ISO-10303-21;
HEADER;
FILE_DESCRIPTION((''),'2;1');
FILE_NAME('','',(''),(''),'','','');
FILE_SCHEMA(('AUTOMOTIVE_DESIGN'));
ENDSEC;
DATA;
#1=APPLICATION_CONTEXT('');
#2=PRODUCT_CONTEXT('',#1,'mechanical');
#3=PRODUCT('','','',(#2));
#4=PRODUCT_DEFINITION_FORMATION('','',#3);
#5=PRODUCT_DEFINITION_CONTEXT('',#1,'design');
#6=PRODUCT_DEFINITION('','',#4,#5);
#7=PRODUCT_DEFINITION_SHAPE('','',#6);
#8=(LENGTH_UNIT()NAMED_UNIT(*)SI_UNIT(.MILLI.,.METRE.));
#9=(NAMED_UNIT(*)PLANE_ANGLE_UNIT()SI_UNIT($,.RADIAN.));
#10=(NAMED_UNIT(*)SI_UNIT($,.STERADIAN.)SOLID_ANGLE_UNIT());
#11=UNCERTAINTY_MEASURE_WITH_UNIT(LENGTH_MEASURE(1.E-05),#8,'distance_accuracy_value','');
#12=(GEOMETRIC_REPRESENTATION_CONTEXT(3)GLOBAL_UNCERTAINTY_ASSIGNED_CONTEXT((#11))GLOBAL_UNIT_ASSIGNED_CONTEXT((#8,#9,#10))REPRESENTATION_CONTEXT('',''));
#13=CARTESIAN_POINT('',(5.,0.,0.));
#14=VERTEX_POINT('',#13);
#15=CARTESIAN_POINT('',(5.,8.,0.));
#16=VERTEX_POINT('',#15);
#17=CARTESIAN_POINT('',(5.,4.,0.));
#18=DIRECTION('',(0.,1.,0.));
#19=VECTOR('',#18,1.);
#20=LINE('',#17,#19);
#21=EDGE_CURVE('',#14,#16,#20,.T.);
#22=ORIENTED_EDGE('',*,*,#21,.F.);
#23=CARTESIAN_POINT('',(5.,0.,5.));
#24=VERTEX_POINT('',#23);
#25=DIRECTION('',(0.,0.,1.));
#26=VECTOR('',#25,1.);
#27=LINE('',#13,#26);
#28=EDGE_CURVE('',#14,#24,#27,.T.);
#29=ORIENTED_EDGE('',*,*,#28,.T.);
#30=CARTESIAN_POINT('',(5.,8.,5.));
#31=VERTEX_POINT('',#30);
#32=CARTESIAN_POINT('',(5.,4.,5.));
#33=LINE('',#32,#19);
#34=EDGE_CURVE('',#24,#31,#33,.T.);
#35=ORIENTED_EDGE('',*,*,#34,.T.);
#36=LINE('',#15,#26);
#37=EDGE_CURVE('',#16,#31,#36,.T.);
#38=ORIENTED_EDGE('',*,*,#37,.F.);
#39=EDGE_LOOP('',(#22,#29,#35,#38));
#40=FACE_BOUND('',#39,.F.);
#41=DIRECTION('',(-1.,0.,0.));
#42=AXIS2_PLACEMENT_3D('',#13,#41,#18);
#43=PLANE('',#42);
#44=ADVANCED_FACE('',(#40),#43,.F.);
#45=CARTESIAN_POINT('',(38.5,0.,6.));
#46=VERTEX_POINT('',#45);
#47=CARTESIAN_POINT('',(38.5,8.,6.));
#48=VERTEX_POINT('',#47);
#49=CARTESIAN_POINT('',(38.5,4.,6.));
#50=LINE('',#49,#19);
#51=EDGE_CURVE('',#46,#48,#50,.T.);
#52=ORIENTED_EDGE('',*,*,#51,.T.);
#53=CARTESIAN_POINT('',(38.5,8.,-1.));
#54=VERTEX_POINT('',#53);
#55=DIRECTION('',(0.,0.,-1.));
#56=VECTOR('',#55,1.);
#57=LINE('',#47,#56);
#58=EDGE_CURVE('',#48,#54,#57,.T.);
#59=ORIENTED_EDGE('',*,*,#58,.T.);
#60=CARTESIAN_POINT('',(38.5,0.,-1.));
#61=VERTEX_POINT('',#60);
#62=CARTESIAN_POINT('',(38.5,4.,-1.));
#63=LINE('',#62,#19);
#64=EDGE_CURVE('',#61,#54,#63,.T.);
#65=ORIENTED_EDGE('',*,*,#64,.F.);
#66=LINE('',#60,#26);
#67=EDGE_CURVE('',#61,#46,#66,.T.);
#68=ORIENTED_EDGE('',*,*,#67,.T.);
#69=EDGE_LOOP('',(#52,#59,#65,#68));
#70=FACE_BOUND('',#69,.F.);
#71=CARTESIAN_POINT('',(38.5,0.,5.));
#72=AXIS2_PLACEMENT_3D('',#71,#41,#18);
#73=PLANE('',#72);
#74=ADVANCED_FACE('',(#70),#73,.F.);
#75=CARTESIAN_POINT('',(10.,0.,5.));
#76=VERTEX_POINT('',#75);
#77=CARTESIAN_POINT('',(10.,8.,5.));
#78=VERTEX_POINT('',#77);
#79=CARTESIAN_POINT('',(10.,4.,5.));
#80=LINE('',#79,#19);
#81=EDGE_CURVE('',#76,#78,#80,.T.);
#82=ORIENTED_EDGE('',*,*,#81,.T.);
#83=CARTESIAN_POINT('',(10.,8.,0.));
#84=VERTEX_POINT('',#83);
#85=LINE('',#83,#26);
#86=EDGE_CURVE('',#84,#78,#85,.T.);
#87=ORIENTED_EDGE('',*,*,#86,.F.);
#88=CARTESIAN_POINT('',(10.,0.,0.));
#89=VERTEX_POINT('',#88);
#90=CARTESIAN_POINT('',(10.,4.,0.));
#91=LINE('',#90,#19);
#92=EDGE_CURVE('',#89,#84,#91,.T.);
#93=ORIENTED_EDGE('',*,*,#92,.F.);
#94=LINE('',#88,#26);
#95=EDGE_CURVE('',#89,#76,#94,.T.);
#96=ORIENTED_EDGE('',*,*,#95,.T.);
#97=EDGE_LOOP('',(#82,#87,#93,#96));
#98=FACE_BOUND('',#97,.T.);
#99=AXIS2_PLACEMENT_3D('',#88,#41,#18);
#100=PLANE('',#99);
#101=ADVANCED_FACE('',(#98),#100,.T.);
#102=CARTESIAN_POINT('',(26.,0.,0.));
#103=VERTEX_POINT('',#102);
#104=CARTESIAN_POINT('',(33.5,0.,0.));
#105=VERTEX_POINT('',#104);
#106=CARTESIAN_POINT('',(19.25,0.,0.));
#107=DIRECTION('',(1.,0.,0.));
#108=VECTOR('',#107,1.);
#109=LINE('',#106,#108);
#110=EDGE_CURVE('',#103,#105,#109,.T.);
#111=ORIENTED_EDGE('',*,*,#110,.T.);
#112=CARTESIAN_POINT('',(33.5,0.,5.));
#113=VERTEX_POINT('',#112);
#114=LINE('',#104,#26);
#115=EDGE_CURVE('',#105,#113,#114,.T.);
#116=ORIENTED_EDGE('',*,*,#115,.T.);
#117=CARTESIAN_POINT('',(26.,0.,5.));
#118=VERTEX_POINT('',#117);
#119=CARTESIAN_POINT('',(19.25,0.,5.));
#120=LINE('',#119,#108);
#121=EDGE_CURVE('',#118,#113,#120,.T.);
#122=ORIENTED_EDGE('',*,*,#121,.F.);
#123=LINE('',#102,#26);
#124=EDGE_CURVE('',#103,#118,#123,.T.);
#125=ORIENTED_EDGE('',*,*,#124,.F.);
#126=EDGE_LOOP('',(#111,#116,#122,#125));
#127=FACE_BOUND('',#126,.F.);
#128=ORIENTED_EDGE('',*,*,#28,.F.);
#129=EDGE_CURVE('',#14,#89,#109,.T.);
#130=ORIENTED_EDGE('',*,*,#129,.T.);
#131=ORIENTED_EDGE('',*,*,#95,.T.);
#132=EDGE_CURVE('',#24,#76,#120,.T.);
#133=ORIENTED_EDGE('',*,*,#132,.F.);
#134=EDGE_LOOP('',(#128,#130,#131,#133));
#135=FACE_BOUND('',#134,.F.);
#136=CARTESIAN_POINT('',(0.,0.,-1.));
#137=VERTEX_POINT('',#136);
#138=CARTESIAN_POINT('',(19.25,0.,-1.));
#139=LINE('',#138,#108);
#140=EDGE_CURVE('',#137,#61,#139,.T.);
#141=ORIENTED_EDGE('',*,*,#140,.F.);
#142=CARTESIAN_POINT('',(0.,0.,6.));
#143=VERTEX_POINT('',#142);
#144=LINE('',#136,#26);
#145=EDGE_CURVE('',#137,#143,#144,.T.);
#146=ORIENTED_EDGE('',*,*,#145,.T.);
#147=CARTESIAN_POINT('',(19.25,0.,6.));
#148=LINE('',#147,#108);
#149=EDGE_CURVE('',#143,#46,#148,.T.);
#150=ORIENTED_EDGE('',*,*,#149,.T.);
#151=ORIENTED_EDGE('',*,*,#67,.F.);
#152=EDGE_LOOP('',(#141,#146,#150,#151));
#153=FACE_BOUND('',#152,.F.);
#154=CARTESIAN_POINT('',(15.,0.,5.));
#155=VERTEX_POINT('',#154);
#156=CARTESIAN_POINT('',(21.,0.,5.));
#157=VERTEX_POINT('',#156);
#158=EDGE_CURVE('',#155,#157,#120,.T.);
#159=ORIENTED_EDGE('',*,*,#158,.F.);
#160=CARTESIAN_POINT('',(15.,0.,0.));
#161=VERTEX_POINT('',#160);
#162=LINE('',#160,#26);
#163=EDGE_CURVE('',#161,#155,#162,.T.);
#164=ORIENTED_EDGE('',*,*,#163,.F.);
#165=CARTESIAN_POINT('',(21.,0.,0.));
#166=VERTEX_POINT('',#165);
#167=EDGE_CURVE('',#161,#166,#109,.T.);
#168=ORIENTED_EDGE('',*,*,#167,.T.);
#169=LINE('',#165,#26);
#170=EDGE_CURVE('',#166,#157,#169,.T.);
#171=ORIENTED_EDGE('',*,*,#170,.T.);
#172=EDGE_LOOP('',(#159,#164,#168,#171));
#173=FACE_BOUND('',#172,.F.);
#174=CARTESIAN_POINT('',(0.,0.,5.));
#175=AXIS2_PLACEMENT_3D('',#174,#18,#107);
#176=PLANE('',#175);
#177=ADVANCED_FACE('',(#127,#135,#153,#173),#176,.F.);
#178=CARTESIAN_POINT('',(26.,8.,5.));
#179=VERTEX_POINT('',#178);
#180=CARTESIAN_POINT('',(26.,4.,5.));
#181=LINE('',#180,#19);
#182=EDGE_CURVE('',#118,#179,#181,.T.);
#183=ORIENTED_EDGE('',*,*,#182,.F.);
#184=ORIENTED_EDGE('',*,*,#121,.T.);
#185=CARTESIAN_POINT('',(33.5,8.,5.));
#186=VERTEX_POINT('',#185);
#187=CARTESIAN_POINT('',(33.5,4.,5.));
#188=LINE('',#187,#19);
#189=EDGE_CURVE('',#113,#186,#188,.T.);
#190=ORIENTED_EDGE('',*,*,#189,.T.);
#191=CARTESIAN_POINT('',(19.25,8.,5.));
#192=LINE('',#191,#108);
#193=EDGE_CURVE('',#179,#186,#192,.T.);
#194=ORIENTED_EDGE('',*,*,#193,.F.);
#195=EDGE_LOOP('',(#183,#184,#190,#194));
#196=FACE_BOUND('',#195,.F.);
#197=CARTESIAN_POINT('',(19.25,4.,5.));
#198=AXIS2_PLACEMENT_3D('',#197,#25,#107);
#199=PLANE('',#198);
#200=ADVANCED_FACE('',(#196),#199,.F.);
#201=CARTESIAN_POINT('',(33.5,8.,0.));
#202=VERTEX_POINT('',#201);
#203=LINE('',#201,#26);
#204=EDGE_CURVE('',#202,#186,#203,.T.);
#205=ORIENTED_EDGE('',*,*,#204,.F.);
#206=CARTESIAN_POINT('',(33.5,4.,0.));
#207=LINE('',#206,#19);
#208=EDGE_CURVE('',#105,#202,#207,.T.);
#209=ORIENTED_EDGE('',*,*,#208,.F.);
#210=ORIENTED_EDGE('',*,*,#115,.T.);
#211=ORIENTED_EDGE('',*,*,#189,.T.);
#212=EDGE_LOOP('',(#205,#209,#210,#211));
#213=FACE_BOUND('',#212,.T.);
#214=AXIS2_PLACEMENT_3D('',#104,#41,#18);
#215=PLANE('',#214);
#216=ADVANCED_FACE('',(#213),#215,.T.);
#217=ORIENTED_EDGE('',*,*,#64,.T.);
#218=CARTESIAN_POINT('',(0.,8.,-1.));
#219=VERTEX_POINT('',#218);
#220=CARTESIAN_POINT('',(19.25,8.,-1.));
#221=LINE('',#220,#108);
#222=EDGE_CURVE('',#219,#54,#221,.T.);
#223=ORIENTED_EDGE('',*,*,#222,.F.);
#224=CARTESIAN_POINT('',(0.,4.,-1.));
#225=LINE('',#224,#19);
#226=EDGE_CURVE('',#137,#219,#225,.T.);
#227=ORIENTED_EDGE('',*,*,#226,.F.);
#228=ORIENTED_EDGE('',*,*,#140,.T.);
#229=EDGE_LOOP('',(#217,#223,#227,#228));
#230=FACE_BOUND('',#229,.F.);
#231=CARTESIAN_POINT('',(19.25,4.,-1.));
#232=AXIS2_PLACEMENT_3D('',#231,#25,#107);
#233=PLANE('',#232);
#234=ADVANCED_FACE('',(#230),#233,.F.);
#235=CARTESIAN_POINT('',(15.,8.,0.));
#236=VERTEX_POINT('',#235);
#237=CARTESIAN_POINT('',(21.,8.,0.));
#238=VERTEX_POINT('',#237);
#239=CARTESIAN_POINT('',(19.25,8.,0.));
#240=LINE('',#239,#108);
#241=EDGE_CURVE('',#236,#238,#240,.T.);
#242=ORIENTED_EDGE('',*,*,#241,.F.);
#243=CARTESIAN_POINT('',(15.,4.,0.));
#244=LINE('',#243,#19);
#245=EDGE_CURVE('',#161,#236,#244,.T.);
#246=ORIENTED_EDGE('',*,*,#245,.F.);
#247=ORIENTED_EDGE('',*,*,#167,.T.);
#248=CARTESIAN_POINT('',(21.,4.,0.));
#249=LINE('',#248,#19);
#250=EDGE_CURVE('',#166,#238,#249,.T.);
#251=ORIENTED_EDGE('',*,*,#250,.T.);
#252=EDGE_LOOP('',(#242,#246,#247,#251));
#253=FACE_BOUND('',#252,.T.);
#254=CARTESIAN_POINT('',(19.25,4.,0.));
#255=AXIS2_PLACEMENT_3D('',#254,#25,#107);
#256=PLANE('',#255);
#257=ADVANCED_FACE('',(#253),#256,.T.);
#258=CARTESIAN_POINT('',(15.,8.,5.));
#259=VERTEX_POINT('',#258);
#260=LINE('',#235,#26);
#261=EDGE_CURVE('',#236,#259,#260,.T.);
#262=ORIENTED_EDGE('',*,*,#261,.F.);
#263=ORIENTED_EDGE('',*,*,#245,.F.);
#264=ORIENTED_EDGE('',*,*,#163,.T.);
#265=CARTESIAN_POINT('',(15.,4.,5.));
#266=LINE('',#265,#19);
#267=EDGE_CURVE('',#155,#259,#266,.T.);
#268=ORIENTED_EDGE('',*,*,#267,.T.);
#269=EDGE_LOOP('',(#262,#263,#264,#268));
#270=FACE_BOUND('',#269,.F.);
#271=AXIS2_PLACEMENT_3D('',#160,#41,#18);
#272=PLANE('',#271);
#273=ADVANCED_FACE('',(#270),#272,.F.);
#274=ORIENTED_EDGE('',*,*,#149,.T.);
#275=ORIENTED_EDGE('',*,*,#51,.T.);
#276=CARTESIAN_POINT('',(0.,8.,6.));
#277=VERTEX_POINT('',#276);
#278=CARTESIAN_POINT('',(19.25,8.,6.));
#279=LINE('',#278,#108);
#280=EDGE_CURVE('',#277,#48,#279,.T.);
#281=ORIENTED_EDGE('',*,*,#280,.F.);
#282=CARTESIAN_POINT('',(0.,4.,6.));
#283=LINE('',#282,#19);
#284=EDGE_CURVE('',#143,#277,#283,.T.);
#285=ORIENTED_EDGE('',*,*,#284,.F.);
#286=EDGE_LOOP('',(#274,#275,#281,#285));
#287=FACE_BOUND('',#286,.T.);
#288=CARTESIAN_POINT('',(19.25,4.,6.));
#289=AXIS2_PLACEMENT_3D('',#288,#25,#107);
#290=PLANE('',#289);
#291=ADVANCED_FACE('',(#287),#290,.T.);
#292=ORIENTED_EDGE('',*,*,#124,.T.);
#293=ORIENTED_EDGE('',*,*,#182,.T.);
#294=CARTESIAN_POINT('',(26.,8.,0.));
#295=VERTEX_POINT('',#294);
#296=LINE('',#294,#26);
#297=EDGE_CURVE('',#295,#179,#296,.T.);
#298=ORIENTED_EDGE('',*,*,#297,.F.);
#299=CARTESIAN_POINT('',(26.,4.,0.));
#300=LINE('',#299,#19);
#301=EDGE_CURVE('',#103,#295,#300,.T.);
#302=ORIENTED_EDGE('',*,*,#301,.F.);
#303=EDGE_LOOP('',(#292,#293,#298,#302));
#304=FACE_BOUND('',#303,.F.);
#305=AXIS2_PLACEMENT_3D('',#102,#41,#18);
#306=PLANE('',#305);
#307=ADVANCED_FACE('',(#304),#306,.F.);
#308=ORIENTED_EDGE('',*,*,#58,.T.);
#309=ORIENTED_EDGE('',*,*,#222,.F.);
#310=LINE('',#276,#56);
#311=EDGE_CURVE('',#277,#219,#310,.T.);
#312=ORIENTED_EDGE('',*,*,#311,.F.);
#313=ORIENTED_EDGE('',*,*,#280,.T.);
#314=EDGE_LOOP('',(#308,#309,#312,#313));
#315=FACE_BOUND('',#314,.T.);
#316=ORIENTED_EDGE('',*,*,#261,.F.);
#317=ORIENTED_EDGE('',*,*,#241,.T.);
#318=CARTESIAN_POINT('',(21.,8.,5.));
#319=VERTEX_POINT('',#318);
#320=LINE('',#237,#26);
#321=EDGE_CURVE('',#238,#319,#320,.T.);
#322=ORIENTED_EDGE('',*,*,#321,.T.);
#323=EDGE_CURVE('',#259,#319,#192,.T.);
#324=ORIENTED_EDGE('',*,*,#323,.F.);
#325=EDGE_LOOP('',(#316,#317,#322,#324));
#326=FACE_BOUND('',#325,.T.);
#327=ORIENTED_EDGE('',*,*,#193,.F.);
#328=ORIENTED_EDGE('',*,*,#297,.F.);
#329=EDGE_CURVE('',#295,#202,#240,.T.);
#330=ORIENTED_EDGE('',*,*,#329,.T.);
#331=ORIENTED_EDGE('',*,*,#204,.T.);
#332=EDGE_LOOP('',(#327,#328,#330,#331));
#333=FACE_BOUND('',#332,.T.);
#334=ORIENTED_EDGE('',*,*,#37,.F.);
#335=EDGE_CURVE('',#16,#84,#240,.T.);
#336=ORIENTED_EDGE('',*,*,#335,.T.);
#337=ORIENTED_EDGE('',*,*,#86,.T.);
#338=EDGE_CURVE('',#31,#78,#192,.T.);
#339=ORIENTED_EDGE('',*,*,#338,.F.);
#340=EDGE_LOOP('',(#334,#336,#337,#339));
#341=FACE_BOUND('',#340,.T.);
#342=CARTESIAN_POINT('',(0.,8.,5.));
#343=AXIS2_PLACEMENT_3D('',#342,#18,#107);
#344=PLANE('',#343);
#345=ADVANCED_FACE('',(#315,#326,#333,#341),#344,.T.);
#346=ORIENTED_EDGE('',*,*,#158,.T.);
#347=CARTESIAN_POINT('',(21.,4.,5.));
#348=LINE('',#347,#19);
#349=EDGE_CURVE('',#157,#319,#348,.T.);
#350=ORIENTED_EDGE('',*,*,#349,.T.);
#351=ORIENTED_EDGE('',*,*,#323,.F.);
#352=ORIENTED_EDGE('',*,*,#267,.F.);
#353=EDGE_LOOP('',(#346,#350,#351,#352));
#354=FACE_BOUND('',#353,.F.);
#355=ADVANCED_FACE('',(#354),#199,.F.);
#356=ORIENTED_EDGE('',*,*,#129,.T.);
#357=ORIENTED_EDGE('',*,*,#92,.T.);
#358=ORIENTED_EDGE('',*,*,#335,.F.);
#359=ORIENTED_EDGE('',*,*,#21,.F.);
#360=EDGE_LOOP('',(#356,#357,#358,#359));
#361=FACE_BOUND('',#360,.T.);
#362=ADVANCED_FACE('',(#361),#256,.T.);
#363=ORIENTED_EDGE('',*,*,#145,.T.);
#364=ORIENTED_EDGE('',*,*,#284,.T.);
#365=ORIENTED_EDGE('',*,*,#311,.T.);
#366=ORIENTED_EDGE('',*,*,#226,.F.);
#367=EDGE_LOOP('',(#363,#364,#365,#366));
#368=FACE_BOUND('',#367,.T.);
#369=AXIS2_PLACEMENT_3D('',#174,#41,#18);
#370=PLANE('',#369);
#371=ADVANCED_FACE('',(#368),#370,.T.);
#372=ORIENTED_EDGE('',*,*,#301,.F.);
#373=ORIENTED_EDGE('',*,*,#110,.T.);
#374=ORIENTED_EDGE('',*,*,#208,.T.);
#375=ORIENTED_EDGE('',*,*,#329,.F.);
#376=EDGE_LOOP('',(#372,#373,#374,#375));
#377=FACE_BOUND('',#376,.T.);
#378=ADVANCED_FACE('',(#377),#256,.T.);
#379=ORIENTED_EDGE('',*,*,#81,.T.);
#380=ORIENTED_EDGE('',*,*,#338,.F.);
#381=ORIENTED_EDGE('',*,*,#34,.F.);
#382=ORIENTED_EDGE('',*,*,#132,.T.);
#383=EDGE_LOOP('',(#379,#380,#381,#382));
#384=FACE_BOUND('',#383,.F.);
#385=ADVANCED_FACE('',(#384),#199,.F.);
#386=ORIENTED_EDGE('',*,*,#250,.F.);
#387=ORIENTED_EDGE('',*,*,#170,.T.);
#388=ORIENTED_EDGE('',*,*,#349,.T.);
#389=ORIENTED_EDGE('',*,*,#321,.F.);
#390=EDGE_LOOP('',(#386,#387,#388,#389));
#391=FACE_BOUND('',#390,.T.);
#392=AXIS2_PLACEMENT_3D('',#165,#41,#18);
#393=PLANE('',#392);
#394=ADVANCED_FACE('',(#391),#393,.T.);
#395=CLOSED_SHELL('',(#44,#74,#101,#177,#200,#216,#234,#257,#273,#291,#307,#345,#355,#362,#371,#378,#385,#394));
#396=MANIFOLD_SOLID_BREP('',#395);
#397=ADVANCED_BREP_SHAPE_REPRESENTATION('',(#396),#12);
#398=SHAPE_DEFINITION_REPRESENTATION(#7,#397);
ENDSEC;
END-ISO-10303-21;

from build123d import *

# Parameters (mm, degrees)
F0_W     = 5
F0_H     = 8
F1_DEPTH = 5
F2_W     = 38.5
F2_H     = 8
F3_DEPTH = 1
F4_W     = 38.5
F4_H     = 8
F5_DEPTH = 1


with BuildPart() as f1:
    # F0 (on Top) → F1 (new body)
    with BuildSketch(Plane.XY):
        with Locations((2.5, 4)):
            Rectangle(F0_W, F0_H)
        with Locations((12.5, 4)):
            Rectangle(F0_W, F0_H)
        with Locations((23.5, 4)):
            Rectangle(F0_W, F0_H)
        with Locations((36, 4)):
            Rectangle(F0_W, F0_H)
    extrude(amount=F1_DEPTH)

    # F2 (on Top) → F3 (join)
    with BuildSketch(Plane.XY):
        with Locations((19.25, 4)):
            Rectangle(F2_W, F2_H)
    extrude(amount=-F3_DEPTH)

    # F4 (on face) → F5 (join)
    with BuildSketch(Plane.XY.offset(5)):
        with Locations((19.25, 4)):
            Rectangle(F4_W, F4_H)
    extrude(amount=F5_DEPTH)


solid = f1.part
